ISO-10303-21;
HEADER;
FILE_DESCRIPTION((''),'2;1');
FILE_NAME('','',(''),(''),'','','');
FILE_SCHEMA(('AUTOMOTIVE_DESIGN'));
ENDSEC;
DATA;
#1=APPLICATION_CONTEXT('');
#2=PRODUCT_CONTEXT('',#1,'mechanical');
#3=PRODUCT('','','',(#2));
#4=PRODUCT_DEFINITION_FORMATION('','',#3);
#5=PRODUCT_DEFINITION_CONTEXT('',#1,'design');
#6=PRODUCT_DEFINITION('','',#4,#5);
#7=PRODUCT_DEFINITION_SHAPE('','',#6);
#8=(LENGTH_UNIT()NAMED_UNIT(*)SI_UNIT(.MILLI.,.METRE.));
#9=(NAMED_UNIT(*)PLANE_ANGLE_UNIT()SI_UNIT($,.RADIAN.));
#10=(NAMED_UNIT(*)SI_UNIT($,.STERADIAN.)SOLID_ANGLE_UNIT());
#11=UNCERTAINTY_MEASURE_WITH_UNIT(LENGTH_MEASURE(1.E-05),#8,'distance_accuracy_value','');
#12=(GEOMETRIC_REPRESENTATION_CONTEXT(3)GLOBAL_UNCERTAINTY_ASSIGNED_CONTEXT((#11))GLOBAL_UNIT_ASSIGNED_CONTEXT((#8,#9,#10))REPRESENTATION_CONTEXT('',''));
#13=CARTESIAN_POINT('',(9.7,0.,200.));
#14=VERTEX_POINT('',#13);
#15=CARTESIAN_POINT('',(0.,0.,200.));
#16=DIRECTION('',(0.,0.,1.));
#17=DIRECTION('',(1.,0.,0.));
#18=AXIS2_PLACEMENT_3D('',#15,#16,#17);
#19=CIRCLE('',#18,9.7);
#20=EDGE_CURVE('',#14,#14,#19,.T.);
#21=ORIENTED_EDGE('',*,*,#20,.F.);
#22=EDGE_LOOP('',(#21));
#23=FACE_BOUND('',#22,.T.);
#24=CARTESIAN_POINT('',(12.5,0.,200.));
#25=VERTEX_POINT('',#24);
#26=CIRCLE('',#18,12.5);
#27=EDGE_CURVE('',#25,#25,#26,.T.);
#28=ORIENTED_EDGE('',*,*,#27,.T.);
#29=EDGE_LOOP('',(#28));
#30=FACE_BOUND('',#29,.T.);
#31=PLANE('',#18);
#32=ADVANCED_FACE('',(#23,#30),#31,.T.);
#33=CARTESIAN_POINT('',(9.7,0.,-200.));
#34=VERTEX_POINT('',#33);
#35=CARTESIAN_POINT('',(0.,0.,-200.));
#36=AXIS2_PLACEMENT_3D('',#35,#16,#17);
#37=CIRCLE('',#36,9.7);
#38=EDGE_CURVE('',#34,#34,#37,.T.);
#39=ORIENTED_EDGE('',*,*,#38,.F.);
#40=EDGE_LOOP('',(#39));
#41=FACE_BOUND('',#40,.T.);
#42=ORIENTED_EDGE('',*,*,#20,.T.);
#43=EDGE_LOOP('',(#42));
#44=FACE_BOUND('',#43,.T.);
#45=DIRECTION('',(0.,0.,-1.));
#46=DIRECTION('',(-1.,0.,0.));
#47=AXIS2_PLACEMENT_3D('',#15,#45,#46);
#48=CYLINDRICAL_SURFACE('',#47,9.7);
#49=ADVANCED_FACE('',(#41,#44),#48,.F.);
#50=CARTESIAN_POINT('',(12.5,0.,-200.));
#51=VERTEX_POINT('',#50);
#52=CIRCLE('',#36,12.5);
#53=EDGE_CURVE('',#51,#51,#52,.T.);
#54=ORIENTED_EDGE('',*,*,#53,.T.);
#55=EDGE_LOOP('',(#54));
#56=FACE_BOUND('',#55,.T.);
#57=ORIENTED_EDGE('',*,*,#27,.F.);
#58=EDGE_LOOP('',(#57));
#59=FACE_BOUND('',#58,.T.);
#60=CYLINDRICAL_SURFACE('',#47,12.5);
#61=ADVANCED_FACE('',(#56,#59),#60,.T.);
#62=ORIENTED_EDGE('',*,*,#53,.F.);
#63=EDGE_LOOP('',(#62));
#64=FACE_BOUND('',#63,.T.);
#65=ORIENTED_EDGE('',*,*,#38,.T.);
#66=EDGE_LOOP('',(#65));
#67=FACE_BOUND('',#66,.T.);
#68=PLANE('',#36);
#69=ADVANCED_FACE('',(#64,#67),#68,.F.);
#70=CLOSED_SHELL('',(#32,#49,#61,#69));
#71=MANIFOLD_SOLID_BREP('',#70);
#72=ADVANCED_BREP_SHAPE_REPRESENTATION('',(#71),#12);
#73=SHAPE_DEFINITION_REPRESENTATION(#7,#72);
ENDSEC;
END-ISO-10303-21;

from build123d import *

# Parameters (mm, degrees)
SKETCH_1_R      = 12.5
SKETCH_1_R_2    = 9.7
EXTRUDE_1_DEPTH = 200


with BuildPart() as part:
    # 草图1 → 凸台-拉伸1 (new body, symmetric)
    with BuildSketch(Plane.XY):
        Circle(SKETCH_1_R)
        Circle(SKETCH_1_R_2, mode=Mode.SUBTRACT)
    extrude(amount=EXTRUDE_1_DEPTH, both=True)


solid = part.part
